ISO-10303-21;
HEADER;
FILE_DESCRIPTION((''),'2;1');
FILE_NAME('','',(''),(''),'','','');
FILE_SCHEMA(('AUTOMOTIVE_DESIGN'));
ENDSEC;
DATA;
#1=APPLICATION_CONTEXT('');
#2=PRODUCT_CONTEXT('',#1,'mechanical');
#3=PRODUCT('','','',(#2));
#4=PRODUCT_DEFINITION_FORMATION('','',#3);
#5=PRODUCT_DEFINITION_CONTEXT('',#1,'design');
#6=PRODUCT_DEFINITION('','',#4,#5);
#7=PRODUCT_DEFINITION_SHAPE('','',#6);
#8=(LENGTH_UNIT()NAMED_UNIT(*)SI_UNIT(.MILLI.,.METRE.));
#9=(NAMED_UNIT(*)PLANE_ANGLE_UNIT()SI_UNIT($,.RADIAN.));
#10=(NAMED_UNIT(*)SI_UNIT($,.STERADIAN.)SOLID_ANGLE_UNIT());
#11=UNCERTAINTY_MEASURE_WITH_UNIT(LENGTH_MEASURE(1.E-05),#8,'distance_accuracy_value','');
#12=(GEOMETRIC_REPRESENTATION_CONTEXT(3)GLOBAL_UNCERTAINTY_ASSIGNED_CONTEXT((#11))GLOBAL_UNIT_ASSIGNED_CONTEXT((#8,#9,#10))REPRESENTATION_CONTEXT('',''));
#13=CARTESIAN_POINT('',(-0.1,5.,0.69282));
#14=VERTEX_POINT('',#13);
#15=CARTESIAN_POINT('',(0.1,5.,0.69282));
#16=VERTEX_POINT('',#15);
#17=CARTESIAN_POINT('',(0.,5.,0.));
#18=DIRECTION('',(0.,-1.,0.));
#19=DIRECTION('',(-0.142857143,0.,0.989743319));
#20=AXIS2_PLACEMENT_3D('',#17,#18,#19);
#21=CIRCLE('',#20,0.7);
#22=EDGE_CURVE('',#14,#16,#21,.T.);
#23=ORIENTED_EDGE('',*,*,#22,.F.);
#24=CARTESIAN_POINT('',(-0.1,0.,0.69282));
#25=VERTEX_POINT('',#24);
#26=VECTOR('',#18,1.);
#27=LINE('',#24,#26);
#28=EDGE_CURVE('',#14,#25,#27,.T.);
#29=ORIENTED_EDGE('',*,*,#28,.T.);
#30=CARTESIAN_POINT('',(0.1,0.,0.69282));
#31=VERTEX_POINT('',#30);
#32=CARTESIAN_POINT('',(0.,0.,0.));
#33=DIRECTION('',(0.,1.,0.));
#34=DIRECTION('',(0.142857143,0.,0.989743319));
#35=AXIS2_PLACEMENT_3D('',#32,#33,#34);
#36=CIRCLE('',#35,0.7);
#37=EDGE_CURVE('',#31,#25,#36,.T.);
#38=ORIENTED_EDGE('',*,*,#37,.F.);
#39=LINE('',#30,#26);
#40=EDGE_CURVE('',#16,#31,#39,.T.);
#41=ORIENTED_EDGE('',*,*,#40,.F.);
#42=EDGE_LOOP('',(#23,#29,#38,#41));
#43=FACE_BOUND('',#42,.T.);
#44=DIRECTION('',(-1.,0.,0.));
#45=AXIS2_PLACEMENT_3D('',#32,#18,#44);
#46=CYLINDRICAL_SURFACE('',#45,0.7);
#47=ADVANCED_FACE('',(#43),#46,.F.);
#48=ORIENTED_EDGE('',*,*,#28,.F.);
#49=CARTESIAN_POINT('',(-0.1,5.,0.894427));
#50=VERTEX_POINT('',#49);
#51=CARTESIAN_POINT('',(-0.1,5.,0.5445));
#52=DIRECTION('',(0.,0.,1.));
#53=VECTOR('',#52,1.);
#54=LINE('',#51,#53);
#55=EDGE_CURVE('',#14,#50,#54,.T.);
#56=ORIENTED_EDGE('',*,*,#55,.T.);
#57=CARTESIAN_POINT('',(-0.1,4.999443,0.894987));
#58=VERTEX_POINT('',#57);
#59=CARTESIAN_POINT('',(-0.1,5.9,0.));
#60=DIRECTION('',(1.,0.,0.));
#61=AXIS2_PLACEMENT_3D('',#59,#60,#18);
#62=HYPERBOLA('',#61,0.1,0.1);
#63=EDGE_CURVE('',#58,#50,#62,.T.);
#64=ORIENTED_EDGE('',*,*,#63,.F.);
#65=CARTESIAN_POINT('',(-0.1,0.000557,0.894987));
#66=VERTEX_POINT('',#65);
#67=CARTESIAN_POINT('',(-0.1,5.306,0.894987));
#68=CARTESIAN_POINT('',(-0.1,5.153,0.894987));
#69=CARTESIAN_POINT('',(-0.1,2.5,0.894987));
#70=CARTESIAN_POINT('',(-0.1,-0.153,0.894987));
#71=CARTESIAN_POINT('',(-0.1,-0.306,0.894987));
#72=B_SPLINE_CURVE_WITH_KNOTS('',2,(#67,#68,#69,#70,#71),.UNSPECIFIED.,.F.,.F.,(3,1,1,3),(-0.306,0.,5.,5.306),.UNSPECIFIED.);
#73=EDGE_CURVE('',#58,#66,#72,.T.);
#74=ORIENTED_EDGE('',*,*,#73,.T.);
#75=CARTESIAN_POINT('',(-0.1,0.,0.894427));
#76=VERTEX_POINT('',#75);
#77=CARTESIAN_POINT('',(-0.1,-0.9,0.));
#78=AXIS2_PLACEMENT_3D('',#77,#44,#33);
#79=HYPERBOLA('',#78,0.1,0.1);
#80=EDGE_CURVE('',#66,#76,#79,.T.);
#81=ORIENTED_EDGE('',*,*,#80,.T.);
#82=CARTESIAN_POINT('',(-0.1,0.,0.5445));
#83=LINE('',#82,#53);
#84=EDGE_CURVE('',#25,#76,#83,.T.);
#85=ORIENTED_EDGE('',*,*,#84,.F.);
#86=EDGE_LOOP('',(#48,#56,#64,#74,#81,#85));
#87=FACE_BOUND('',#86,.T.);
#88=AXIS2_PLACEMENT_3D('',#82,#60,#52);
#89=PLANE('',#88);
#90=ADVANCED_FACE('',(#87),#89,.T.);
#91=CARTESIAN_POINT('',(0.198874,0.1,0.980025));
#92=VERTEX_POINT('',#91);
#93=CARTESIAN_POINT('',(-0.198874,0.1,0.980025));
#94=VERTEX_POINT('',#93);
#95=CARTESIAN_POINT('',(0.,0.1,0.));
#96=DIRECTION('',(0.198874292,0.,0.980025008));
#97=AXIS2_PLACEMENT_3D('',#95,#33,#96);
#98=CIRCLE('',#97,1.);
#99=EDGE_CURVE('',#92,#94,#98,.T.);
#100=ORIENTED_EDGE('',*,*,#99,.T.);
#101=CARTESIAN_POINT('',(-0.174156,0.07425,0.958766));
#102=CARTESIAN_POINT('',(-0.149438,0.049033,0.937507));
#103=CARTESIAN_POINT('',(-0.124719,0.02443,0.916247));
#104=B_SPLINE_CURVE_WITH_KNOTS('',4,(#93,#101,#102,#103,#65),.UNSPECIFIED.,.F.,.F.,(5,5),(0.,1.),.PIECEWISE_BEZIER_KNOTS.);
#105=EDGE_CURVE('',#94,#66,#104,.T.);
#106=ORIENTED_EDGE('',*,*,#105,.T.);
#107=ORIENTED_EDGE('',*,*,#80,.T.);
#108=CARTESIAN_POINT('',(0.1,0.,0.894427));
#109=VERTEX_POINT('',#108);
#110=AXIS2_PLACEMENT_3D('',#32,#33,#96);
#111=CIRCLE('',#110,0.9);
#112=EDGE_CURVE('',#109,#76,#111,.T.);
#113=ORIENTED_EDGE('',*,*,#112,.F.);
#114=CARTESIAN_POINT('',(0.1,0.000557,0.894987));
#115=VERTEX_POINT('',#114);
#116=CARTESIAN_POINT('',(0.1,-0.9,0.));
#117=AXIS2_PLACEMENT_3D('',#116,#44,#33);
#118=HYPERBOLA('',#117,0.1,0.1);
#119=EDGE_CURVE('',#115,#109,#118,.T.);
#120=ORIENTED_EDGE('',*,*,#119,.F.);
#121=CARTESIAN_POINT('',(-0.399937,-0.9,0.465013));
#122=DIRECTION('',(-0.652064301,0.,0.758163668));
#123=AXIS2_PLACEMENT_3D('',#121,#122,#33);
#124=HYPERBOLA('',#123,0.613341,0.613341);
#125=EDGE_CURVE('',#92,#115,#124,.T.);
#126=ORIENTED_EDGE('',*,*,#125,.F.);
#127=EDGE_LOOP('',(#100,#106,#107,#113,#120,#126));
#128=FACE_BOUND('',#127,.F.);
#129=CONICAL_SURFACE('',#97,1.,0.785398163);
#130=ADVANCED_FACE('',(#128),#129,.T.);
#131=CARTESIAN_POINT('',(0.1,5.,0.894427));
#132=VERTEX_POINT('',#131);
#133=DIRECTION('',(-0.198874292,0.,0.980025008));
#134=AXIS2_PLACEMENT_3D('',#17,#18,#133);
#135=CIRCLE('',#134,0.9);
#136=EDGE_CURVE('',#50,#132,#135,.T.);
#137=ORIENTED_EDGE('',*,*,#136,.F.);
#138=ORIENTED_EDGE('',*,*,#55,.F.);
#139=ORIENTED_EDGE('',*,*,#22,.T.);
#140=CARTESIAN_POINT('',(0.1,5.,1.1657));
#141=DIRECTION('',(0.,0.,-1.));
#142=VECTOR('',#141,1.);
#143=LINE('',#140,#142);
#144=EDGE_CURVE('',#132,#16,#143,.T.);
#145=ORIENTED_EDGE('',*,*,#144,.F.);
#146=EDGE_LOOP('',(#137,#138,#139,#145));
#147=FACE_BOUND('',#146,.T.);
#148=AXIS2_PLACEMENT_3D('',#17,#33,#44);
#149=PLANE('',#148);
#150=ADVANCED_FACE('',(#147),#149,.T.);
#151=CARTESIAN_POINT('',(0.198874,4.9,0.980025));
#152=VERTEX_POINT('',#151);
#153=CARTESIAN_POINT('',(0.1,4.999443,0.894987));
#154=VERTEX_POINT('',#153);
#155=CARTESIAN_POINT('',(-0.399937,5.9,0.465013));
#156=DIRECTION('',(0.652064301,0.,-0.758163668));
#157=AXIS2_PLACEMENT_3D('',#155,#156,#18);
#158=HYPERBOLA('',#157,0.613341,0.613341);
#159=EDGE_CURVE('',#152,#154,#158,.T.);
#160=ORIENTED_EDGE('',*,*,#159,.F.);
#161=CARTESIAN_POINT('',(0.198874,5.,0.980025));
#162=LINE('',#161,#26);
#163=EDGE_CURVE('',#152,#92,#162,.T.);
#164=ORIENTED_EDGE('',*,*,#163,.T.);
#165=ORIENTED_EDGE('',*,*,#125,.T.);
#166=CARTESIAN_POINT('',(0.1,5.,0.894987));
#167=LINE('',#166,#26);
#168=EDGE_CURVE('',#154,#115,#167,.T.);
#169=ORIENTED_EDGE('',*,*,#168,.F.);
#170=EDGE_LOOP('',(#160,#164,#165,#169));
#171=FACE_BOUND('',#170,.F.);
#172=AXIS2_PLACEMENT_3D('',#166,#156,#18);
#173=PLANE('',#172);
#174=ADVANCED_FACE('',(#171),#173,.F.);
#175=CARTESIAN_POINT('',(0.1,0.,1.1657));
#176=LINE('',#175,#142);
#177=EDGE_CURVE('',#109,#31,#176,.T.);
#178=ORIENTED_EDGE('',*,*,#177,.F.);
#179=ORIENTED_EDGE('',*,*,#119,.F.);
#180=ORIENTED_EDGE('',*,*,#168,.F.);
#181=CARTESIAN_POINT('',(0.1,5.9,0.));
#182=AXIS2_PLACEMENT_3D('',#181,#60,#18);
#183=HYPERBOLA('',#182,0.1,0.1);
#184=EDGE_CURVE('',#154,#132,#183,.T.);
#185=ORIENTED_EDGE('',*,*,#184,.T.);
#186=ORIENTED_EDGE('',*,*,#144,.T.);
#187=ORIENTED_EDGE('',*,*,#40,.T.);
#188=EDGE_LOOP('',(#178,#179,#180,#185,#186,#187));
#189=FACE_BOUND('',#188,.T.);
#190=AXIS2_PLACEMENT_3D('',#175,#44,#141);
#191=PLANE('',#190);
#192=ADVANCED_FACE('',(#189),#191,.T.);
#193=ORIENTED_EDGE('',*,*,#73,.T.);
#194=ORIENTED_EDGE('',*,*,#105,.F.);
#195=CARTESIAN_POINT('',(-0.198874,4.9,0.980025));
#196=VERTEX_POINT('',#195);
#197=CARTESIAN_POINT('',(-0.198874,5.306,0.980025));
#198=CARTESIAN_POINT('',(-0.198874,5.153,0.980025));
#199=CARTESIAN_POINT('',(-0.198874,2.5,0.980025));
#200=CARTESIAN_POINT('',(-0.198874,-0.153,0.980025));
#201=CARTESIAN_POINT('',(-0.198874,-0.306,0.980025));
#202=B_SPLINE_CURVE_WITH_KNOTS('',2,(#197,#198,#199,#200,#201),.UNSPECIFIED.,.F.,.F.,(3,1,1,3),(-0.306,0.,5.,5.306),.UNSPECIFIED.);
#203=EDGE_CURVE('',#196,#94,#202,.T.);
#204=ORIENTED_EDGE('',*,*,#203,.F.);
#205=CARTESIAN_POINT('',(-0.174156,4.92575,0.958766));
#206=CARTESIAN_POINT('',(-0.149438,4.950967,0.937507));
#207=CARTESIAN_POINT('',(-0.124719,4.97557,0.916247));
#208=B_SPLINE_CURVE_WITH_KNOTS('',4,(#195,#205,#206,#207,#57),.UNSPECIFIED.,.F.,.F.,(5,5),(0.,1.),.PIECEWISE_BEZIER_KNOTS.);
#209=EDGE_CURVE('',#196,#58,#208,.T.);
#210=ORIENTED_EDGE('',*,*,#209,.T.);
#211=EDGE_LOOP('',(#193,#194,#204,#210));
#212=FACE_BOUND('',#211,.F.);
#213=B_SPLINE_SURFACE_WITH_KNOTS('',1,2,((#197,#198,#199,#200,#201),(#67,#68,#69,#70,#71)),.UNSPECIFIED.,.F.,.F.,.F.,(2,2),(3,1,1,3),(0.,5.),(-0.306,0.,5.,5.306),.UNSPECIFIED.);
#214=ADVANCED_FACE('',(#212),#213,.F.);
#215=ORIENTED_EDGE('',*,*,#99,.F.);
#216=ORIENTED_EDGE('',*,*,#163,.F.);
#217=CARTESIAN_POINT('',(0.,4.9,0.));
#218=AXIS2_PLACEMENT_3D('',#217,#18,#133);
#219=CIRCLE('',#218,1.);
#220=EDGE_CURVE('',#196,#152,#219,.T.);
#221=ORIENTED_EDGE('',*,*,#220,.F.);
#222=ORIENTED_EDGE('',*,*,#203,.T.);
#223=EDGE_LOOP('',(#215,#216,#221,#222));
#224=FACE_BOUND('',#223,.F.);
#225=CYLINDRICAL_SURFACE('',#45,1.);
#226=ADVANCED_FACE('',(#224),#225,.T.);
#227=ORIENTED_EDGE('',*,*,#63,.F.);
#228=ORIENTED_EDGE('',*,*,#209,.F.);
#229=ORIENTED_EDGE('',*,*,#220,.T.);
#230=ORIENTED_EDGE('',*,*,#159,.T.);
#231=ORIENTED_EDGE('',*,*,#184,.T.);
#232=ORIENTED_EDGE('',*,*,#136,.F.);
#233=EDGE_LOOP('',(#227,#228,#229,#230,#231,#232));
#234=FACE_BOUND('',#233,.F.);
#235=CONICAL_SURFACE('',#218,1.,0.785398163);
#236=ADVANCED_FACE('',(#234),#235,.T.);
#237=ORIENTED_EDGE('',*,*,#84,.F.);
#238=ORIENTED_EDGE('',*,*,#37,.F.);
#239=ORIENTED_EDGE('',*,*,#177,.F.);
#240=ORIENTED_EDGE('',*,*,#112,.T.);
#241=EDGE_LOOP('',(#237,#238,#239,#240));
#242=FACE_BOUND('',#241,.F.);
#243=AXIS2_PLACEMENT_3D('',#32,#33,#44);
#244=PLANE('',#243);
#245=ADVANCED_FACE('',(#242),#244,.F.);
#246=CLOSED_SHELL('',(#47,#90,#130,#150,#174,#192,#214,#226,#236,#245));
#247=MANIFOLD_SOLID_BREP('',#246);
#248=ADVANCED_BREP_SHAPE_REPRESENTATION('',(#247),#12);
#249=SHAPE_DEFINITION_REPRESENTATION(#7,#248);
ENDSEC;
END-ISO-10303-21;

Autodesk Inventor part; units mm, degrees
ref_plane "YZ Plane" through (0, 0, 0) normal (1, 0, 0) x (0, 1, 0)
ref_plane "XZ Plane" through (0, 0, 0) normal (0, 1, 0) x (-1, 0, 0)
ref_plane "XY Plane" through (0, 0, 0) normal (0, 0, 1) x (1, 0, 0)
sketch "草圖1" plane through (0, 0, 0) normal (0, 1, 0) x (-1, 0, 0)
  circle A0 centre (0, 0) radius 1
  circle A1 centre (0, 0) radius 0.7
  dimension "d0" = 2
  dimension "d1" = 1.4
extrude "擠出1" add sketch "草圖1" along normal blind 5
sketch "草圖2" plane through (0, 0, 0) normal (0, -1, 0) x (1, 0, 0)
  line L0 (-0.1, 1.1657) -> (0.1, 1.1657)
  line L1 (0.1, 1.1657) -> (0.1, 0.5445)
  line L2 (0.1, 0.5445) -> (-0.1, 0.5445)
  line L3 (-0.1, 0.5445) -> (-0.1, 1.1657)
  point P0 (0, 0)
  dimension "d4" = 0.1
  dimension "d5" = 0.2
extrude "擠出2" cut sketch "草圖2" against normal blind 5
chamfer "倒角1" distance 0.1 angle 45 2 edges at (-0.1, 2.5, 0.995) (0.1, 2.5, 0.995)
chamfer "倒角2" distance 0.1 angle 45 2 edges at (0, 0, -1) (0, 5, -1)
properties part number "M2x5彈簧銷"
